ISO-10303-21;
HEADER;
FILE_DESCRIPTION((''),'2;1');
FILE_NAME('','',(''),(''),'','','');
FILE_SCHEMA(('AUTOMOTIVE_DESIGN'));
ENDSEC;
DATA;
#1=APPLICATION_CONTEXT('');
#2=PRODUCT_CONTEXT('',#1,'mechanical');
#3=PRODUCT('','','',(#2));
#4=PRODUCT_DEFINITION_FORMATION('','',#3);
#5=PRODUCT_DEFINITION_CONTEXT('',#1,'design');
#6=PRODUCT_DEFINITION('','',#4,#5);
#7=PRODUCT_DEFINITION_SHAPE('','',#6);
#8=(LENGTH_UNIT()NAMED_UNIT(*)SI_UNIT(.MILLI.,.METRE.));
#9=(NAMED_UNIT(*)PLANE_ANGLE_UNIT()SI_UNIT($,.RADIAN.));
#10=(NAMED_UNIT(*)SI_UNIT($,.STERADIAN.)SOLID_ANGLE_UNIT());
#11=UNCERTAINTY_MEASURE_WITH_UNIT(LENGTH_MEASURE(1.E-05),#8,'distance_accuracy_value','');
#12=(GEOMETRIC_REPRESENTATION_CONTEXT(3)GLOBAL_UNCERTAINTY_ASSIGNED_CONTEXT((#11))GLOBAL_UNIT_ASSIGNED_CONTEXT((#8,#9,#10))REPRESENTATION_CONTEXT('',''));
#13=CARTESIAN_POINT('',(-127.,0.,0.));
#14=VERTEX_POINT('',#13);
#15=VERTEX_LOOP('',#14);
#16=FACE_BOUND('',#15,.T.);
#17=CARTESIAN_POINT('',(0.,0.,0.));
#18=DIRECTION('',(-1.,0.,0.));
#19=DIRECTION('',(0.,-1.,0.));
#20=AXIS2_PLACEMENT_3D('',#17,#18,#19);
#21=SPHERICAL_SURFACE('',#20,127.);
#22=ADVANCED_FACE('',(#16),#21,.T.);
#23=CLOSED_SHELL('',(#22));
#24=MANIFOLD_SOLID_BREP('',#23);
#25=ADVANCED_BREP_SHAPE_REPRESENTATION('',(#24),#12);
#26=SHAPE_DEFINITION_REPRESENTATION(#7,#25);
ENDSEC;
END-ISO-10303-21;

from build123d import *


with BuildPart() as part:
    # Sketch2 → Revolve1 (revolve)
    with BuildSketch(Plane.XY):
        with BuildLine():
            Line((-127, 0), (127, 0))
            ThreePointArc((127, 0), (0, 127), (-127, 0))
        make_face()
    revolve(axis=Axis((-127, 0, 0), (1, 0, 0)))


solid = part.part
